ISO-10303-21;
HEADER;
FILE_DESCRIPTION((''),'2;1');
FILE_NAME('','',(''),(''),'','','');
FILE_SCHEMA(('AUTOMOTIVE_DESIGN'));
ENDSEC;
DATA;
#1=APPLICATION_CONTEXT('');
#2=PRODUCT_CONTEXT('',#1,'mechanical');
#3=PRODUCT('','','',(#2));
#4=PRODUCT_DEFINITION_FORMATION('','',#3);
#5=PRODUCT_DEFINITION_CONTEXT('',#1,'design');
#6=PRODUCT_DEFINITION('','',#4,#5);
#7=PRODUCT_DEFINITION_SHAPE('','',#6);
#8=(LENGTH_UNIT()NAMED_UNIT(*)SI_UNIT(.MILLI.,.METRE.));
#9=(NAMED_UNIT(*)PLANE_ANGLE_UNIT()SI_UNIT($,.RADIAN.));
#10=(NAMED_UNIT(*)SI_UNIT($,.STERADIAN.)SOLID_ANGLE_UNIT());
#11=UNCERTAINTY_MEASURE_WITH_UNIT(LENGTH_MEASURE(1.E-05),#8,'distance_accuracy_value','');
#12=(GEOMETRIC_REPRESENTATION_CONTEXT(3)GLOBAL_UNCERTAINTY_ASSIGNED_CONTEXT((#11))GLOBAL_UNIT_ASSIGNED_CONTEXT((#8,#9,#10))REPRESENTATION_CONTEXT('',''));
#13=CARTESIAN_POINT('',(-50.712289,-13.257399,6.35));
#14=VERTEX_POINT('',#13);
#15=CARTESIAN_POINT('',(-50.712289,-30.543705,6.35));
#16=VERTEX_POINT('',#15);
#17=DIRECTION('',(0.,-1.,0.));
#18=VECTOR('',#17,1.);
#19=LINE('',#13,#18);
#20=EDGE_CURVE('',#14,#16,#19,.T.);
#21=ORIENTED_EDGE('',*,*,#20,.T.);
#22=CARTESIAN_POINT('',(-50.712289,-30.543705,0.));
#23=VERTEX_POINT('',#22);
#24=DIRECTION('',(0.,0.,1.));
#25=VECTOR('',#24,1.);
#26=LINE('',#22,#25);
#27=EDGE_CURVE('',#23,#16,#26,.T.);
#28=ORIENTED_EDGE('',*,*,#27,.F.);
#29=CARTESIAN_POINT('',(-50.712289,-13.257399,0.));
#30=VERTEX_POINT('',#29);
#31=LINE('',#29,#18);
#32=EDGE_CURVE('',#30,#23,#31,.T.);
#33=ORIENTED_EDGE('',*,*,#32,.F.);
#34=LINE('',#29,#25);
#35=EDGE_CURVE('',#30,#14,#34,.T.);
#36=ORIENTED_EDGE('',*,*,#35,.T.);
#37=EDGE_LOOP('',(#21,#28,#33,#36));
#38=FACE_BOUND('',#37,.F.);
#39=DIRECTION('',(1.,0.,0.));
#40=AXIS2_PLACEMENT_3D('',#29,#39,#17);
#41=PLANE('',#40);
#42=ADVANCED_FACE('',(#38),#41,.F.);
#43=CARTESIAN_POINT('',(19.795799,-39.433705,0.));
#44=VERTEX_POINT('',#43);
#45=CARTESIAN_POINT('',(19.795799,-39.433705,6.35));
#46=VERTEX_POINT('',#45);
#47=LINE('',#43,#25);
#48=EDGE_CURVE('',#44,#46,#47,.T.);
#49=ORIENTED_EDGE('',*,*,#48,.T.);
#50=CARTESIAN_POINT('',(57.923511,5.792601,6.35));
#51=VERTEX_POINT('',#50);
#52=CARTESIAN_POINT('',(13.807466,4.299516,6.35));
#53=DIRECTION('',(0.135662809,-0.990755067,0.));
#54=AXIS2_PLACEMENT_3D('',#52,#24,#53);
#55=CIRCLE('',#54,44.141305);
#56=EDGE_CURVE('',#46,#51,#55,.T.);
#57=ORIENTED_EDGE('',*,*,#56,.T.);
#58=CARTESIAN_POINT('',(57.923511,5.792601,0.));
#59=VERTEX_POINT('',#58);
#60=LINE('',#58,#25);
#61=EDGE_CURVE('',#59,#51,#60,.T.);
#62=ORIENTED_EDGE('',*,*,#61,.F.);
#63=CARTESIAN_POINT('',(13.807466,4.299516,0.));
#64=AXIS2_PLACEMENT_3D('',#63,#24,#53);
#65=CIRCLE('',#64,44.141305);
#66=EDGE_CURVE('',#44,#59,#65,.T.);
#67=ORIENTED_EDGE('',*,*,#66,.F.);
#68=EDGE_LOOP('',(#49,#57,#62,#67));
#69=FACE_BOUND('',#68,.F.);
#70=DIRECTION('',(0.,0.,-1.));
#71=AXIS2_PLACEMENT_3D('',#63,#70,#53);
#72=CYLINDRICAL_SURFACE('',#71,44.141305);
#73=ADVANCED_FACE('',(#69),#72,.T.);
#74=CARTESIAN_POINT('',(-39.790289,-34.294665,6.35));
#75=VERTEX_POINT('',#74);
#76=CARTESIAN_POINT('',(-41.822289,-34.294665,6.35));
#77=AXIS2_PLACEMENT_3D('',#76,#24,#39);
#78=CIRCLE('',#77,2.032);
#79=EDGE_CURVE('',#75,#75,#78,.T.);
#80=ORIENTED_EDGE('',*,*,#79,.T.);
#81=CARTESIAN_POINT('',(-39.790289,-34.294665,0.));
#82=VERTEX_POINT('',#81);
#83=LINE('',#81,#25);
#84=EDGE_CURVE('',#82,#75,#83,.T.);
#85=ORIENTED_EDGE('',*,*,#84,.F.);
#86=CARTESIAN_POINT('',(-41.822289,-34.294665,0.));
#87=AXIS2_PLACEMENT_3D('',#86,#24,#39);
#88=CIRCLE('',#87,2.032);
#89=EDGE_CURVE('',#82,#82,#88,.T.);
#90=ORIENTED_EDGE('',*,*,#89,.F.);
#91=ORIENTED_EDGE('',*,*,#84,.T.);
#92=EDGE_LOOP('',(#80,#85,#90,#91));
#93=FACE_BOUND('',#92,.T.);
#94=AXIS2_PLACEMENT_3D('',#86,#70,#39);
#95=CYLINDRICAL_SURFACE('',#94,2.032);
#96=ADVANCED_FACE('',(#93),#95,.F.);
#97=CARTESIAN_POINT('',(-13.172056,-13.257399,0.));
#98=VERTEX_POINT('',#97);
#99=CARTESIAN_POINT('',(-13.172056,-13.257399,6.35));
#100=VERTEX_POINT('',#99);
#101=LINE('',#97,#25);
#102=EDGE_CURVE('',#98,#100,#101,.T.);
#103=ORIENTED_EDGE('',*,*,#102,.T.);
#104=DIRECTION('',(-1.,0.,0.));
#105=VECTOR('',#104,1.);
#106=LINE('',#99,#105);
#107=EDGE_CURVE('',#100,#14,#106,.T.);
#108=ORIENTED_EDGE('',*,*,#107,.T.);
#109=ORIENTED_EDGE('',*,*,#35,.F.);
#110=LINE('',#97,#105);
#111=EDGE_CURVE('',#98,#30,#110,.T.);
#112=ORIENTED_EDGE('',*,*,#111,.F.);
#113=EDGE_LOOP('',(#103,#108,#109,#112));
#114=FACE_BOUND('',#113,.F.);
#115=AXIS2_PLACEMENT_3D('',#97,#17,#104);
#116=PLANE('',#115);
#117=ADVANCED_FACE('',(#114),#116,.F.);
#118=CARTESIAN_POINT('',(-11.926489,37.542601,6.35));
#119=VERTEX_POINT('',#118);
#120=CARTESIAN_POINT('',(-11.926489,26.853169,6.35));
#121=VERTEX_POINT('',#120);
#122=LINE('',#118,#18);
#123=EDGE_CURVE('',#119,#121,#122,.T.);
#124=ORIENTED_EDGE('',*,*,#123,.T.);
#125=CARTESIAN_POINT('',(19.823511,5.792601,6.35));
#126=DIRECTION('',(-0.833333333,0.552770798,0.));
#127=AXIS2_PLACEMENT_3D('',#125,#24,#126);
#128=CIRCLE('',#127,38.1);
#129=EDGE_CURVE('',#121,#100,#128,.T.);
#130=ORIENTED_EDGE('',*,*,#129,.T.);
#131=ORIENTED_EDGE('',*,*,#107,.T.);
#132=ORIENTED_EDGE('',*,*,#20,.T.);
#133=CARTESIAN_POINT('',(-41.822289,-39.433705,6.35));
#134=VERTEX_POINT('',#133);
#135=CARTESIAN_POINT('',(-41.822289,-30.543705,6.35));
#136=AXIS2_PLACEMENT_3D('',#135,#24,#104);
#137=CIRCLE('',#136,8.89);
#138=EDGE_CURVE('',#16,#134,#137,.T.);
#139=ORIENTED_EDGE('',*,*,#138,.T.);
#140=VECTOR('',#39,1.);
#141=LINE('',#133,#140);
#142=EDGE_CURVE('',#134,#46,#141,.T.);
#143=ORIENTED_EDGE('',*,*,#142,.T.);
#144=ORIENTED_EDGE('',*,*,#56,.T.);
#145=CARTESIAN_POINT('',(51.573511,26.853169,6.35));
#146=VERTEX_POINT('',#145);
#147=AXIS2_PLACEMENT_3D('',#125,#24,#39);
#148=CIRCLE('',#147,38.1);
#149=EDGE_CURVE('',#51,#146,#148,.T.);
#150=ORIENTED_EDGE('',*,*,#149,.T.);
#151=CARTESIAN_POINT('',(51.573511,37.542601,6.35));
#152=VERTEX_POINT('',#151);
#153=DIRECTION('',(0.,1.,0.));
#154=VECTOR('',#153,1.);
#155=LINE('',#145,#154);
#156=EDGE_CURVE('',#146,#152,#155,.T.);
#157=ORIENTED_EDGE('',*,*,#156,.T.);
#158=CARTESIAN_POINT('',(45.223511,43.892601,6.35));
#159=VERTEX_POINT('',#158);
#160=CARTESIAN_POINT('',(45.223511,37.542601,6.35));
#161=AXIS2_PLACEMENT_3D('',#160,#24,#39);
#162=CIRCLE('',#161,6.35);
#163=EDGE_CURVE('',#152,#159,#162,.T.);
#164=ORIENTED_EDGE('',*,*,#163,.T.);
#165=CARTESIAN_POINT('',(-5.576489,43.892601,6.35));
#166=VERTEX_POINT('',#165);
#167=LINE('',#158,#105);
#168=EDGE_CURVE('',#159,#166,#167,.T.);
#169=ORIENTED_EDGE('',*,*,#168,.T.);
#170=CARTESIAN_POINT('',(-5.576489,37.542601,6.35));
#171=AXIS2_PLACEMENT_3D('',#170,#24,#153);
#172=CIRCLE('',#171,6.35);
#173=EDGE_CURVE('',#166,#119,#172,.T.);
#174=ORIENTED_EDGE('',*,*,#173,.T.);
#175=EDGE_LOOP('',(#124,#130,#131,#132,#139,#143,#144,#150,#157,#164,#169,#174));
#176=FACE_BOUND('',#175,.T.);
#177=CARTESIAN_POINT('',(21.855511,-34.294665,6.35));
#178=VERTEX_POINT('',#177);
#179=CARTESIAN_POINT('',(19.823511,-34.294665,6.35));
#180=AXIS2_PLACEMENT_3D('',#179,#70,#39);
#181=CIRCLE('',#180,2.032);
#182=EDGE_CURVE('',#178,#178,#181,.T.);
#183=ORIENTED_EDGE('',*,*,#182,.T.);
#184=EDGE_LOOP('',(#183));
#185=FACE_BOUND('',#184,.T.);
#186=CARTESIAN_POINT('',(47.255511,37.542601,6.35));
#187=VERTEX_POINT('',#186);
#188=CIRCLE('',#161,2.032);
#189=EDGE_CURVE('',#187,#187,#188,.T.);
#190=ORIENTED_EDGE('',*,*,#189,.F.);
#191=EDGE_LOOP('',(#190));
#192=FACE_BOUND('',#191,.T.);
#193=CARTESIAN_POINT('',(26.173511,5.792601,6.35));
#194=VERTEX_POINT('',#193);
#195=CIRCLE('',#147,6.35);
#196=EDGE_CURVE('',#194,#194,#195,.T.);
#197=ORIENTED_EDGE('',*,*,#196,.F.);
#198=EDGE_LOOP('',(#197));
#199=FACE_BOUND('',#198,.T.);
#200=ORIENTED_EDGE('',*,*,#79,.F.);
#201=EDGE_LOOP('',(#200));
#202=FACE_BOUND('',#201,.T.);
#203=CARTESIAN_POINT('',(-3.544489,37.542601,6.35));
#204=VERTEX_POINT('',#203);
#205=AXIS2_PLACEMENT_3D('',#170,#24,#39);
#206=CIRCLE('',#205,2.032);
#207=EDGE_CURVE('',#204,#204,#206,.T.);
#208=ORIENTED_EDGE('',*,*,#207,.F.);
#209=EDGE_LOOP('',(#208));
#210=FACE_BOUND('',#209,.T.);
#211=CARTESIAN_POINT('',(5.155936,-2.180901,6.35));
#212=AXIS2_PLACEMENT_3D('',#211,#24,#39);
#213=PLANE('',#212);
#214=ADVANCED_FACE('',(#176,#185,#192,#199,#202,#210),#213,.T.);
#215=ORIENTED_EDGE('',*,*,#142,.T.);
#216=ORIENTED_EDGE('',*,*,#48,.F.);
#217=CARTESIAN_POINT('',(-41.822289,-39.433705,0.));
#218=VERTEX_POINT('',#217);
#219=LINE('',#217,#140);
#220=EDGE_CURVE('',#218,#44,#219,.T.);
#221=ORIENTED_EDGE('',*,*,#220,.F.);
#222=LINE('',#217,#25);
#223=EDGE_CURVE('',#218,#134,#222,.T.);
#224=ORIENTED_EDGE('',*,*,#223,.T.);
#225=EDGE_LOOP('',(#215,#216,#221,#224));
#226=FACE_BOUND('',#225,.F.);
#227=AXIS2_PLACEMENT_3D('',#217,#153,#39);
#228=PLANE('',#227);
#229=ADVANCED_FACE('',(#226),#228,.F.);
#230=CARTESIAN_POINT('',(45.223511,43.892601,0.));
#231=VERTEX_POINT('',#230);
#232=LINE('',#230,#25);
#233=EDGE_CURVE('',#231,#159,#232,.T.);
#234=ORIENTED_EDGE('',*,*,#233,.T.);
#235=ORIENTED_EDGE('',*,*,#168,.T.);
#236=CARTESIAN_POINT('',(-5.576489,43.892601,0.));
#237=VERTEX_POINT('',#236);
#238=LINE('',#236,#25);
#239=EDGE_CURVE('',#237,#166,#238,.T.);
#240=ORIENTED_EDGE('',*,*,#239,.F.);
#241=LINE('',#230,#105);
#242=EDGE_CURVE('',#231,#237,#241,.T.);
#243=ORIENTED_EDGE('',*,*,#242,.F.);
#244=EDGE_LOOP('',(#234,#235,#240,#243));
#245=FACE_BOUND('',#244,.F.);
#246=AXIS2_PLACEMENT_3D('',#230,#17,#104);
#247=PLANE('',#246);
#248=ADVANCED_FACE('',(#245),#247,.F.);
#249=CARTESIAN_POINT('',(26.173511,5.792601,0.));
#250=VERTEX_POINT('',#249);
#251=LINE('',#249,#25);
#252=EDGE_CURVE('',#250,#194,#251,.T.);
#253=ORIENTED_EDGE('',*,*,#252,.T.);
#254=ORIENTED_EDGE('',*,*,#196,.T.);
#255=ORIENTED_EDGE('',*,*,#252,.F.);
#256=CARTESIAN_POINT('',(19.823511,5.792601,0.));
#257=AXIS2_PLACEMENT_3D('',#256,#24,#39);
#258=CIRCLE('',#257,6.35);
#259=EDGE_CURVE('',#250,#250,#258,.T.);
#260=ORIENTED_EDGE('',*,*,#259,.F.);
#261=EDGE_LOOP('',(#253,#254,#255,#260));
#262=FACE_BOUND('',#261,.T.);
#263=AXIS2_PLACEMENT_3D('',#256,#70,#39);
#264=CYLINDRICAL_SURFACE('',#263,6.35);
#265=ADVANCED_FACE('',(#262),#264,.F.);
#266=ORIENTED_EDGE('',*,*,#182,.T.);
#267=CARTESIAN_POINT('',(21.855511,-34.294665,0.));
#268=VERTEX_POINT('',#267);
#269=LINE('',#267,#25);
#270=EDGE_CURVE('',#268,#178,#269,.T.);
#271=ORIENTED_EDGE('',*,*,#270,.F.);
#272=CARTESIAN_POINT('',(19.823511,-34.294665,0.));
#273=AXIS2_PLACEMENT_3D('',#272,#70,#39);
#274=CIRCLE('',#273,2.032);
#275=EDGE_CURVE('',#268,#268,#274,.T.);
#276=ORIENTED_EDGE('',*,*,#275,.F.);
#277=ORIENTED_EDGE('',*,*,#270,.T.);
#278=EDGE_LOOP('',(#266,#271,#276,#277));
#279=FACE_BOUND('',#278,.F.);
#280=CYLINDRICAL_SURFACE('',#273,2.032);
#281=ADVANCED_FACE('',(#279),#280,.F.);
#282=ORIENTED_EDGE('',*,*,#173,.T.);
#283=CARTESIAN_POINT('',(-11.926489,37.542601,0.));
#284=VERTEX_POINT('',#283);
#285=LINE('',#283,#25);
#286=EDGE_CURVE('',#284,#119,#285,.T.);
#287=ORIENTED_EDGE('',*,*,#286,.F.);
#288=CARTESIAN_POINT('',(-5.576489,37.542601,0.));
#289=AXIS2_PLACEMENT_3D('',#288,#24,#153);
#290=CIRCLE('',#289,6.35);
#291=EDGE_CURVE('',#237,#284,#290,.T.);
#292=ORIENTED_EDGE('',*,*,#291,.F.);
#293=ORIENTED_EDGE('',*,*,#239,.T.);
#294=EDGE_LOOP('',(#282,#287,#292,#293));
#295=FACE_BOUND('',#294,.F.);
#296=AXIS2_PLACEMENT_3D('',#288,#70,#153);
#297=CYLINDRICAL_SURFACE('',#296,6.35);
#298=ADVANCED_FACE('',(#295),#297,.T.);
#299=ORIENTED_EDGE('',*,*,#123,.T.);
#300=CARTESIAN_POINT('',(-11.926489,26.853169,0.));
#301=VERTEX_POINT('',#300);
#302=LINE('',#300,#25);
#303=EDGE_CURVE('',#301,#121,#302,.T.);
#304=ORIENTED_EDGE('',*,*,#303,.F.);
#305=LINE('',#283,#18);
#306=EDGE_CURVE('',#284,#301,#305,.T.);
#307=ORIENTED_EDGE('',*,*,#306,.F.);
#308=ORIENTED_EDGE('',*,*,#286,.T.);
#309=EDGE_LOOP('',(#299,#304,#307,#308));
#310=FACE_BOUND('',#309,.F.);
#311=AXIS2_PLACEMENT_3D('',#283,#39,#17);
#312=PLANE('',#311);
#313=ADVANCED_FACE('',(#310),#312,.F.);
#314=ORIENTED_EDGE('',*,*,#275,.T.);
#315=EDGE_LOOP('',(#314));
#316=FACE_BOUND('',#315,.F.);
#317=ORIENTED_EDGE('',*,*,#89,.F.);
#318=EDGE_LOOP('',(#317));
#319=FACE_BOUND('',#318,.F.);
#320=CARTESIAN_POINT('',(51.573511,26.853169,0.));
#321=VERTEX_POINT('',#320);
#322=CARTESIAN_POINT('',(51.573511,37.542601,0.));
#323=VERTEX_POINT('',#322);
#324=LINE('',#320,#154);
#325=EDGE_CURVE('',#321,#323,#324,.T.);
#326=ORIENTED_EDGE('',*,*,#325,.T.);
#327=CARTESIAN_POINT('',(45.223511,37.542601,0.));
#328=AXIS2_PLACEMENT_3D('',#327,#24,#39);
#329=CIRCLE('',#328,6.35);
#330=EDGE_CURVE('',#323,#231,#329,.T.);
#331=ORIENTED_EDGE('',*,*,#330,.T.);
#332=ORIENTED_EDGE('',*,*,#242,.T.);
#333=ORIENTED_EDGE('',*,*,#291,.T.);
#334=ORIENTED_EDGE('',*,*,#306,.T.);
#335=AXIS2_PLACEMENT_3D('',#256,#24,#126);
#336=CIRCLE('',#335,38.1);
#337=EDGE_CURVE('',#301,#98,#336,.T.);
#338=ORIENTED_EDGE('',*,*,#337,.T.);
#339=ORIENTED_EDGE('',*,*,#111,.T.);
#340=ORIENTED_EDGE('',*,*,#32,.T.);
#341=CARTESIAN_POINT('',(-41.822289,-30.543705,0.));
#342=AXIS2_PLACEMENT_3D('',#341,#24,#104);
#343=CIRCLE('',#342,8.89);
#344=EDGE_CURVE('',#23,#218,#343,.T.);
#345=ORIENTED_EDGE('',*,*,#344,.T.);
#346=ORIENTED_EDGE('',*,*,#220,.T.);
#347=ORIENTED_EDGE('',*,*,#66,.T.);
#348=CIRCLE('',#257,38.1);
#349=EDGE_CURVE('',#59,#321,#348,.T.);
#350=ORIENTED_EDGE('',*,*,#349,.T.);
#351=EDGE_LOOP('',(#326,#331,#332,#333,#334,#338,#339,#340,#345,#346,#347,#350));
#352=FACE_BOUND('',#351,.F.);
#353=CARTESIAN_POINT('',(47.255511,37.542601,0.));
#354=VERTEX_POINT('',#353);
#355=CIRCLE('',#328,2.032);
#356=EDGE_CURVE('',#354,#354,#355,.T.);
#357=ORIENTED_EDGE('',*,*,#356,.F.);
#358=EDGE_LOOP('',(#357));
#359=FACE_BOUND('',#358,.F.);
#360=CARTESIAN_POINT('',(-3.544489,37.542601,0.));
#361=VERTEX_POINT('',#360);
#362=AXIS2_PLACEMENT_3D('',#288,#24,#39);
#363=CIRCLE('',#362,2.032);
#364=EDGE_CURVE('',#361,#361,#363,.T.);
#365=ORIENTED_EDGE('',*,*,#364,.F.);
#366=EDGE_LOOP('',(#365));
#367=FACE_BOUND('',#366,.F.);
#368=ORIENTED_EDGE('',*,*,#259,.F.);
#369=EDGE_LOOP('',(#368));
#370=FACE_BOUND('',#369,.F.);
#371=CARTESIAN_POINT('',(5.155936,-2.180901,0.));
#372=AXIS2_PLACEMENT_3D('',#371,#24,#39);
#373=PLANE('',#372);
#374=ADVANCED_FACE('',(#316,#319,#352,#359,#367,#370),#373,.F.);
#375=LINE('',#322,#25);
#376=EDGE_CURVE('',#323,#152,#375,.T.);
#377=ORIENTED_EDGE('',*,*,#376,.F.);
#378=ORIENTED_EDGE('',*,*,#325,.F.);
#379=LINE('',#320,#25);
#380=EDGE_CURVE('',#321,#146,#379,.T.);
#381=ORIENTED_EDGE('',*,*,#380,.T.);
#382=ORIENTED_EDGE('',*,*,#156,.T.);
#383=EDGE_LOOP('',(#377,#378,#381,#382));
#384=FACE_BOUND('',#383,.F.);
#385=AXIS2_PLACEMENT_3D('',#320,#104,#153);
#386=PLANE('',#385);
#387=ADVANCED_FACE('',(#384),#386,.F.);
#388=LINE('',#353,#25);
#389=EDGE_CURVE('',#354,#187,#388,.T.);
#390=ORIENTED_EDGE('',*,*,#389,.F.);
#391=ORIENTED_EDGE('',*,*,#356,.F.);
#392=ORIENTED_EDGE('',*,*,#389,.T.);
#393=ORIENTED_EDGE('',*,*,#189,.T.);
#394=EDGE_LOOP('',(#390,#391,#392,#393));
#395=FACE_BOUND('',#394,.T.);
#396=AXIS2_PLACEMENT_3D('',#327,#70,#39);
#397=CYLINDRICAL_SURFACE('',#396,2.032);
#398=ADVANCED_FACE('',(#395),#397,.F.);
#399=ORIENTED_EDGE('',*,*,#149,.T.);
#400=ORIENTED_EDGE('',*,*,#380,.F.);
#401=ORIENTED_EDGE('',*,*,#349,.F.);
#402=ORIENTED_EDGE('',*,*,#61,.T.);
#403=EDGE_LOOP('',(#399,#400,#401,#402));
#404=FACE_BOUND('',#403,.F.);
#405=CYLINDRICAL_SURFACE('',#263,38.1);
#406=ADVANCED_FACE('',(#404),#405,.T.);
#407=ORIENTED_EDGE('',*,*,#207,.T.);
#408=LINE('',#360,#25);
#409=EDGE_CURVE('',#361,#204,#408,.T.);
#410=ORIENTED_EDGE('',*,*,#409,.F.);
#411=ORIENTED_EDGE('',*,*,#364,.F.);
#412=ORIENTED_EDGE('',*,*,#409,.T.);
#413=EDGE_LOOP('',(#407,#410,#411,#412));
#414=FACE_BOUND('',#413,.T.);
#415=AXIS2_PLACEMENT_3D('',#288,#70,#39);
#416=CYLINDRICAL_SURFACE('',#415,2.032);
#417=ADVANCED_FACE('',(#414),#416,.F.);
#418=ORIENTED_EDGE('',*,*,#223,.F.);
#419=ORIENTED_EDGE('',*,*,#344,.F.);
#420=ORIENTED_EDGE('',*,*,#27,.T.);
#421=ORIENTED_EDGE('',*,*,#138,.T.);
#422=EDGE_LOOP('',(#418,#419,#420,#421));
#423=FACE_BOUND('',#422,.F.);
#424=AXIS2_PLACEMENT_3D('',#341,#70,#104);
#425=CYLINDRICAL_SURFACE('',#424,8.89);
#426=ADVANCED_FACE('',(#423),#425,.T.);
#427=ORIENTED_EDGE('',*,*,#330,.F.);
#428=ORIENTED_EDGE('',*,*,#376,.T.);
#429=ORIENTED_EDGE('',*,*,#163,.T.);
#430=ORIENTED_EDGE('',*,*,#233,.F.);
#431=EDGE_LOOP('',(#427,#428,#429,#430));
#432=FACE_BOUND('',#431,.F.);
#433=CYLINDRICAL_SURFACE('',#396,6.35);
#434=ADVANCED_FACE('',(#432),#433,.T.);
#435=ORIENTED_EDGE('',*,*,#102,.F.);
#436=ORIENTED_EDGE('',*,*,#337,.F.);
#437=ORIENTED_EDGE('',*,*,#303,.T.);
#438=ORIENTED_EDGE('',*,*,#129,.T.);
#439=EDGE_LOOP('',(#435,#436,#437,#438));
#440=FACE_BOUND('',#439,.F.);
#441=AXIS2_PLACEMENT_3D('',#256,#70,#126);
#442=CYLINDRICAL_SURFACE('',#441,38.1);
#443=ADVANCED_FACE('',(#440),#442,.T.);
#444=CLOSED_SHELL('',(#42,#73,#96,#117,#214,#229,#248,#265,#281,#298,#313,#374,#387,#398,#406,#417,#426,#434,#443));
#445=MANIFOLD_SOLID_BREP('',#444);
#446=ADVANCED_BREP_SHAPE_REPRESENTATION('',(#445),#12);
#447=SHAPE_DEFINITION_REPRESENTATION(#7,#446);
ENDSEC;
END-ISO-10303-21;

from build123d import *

# Parameters (mm, degrees)
F0_R     = 2.032
F0_R_2   = 6.35
F1_DEPTH = 6.35


with BuildPart() as f1:
    # F0 (on Top) → F1 (new body)
    with BuildSketch(Plane.XY):
        with BuildLine():
            ThreePointArc((19.7957990072, -39.4337052755), (47.5560493208, -24.1519845894), (57.9235114877, 5.7926011118))
            ThreePointArc((57.9235114877, 5.7926011118), (56.3014842932, 16.7911237399), (51.5735114877, 26.8531685306))
            Line((51.5735114877, 26.8531685306), (51.5735114877, 37.5426011118))
            ThreePointArc((51.5735114877, 37.5426011118), (49.7136395482, 42.0327291723), (45.2235114877, 43.8926011118))
            Line((45.2235114877, 43.8926011118), (19.8235114877, 43.8926011118))
            Line((19.8235114877, 43.8926011118), (-5.5764885123, 43.8926011118))
            ThreePointArc((-5.5764885123, 43.8926011118), (-10.0666165728, 42.0327291723), (-11.9264885123, 37.5426011118))
            Line((-11.9264885123, 37.5426011118), (-11.9264885123, 26.8531685306))
            ThreePointArc((-11.9264885123, 26.8531685306), (-18.25813166, 6.9751640805), (-13.1720563965, -13.2573988882))
            Line((-13.1720563965, -13.2573988882), (-50.7122885123, -13.2573988882))
            Line((-50.7122885123, -13.2573988882), (-50.7122885123, -25.9573988882))
            Line((-50.7122885123, -25.9573988882), (-50.7122885123, -30.5437052755))
            ThreePointArc((-50.7122885123, -30.5437052755), (-48.1084677971, -36.8298845602), (-41.8222885123, -39.4337052755))
            Line((-41.8222885123, -39.4337052755), (19.7957990072, -39.4337052755))
        make_face()
        with Locations((-41.8222885123, -34.2946651749)):
            Circle(F0_R, mode=Mode.SUBTRACT)
        with BuildLine():
            ThreePointArc((17.7915114877, -34.2946651749), (19.8235114877, -32.2626651749), (21.8555114877, -34.2946651749))
            ThreePointArc((21.8555114877, -34.2946651749), (19.8235114877, -36.3266651749), (17.7915114877, -34.2946651749))
        make_face(mode=Mode.SUBTRACT)
        with Locations((-5.5764885123, 37.5426011118)):
            Circle(F0_R, mode=Mode.SUBTRACT)
        with Locations((19.8235114877, 5.7926011118)):
            Circle(F0_R_2, mode=Mode.SUBTRACT)
        with Locations((45.2235114877, 37.5426011118)):
            Circle(F0_R, mode=Mode.SUBTRACT)
    extrude(amount=F1_DEPTH)


solid = f1.part
